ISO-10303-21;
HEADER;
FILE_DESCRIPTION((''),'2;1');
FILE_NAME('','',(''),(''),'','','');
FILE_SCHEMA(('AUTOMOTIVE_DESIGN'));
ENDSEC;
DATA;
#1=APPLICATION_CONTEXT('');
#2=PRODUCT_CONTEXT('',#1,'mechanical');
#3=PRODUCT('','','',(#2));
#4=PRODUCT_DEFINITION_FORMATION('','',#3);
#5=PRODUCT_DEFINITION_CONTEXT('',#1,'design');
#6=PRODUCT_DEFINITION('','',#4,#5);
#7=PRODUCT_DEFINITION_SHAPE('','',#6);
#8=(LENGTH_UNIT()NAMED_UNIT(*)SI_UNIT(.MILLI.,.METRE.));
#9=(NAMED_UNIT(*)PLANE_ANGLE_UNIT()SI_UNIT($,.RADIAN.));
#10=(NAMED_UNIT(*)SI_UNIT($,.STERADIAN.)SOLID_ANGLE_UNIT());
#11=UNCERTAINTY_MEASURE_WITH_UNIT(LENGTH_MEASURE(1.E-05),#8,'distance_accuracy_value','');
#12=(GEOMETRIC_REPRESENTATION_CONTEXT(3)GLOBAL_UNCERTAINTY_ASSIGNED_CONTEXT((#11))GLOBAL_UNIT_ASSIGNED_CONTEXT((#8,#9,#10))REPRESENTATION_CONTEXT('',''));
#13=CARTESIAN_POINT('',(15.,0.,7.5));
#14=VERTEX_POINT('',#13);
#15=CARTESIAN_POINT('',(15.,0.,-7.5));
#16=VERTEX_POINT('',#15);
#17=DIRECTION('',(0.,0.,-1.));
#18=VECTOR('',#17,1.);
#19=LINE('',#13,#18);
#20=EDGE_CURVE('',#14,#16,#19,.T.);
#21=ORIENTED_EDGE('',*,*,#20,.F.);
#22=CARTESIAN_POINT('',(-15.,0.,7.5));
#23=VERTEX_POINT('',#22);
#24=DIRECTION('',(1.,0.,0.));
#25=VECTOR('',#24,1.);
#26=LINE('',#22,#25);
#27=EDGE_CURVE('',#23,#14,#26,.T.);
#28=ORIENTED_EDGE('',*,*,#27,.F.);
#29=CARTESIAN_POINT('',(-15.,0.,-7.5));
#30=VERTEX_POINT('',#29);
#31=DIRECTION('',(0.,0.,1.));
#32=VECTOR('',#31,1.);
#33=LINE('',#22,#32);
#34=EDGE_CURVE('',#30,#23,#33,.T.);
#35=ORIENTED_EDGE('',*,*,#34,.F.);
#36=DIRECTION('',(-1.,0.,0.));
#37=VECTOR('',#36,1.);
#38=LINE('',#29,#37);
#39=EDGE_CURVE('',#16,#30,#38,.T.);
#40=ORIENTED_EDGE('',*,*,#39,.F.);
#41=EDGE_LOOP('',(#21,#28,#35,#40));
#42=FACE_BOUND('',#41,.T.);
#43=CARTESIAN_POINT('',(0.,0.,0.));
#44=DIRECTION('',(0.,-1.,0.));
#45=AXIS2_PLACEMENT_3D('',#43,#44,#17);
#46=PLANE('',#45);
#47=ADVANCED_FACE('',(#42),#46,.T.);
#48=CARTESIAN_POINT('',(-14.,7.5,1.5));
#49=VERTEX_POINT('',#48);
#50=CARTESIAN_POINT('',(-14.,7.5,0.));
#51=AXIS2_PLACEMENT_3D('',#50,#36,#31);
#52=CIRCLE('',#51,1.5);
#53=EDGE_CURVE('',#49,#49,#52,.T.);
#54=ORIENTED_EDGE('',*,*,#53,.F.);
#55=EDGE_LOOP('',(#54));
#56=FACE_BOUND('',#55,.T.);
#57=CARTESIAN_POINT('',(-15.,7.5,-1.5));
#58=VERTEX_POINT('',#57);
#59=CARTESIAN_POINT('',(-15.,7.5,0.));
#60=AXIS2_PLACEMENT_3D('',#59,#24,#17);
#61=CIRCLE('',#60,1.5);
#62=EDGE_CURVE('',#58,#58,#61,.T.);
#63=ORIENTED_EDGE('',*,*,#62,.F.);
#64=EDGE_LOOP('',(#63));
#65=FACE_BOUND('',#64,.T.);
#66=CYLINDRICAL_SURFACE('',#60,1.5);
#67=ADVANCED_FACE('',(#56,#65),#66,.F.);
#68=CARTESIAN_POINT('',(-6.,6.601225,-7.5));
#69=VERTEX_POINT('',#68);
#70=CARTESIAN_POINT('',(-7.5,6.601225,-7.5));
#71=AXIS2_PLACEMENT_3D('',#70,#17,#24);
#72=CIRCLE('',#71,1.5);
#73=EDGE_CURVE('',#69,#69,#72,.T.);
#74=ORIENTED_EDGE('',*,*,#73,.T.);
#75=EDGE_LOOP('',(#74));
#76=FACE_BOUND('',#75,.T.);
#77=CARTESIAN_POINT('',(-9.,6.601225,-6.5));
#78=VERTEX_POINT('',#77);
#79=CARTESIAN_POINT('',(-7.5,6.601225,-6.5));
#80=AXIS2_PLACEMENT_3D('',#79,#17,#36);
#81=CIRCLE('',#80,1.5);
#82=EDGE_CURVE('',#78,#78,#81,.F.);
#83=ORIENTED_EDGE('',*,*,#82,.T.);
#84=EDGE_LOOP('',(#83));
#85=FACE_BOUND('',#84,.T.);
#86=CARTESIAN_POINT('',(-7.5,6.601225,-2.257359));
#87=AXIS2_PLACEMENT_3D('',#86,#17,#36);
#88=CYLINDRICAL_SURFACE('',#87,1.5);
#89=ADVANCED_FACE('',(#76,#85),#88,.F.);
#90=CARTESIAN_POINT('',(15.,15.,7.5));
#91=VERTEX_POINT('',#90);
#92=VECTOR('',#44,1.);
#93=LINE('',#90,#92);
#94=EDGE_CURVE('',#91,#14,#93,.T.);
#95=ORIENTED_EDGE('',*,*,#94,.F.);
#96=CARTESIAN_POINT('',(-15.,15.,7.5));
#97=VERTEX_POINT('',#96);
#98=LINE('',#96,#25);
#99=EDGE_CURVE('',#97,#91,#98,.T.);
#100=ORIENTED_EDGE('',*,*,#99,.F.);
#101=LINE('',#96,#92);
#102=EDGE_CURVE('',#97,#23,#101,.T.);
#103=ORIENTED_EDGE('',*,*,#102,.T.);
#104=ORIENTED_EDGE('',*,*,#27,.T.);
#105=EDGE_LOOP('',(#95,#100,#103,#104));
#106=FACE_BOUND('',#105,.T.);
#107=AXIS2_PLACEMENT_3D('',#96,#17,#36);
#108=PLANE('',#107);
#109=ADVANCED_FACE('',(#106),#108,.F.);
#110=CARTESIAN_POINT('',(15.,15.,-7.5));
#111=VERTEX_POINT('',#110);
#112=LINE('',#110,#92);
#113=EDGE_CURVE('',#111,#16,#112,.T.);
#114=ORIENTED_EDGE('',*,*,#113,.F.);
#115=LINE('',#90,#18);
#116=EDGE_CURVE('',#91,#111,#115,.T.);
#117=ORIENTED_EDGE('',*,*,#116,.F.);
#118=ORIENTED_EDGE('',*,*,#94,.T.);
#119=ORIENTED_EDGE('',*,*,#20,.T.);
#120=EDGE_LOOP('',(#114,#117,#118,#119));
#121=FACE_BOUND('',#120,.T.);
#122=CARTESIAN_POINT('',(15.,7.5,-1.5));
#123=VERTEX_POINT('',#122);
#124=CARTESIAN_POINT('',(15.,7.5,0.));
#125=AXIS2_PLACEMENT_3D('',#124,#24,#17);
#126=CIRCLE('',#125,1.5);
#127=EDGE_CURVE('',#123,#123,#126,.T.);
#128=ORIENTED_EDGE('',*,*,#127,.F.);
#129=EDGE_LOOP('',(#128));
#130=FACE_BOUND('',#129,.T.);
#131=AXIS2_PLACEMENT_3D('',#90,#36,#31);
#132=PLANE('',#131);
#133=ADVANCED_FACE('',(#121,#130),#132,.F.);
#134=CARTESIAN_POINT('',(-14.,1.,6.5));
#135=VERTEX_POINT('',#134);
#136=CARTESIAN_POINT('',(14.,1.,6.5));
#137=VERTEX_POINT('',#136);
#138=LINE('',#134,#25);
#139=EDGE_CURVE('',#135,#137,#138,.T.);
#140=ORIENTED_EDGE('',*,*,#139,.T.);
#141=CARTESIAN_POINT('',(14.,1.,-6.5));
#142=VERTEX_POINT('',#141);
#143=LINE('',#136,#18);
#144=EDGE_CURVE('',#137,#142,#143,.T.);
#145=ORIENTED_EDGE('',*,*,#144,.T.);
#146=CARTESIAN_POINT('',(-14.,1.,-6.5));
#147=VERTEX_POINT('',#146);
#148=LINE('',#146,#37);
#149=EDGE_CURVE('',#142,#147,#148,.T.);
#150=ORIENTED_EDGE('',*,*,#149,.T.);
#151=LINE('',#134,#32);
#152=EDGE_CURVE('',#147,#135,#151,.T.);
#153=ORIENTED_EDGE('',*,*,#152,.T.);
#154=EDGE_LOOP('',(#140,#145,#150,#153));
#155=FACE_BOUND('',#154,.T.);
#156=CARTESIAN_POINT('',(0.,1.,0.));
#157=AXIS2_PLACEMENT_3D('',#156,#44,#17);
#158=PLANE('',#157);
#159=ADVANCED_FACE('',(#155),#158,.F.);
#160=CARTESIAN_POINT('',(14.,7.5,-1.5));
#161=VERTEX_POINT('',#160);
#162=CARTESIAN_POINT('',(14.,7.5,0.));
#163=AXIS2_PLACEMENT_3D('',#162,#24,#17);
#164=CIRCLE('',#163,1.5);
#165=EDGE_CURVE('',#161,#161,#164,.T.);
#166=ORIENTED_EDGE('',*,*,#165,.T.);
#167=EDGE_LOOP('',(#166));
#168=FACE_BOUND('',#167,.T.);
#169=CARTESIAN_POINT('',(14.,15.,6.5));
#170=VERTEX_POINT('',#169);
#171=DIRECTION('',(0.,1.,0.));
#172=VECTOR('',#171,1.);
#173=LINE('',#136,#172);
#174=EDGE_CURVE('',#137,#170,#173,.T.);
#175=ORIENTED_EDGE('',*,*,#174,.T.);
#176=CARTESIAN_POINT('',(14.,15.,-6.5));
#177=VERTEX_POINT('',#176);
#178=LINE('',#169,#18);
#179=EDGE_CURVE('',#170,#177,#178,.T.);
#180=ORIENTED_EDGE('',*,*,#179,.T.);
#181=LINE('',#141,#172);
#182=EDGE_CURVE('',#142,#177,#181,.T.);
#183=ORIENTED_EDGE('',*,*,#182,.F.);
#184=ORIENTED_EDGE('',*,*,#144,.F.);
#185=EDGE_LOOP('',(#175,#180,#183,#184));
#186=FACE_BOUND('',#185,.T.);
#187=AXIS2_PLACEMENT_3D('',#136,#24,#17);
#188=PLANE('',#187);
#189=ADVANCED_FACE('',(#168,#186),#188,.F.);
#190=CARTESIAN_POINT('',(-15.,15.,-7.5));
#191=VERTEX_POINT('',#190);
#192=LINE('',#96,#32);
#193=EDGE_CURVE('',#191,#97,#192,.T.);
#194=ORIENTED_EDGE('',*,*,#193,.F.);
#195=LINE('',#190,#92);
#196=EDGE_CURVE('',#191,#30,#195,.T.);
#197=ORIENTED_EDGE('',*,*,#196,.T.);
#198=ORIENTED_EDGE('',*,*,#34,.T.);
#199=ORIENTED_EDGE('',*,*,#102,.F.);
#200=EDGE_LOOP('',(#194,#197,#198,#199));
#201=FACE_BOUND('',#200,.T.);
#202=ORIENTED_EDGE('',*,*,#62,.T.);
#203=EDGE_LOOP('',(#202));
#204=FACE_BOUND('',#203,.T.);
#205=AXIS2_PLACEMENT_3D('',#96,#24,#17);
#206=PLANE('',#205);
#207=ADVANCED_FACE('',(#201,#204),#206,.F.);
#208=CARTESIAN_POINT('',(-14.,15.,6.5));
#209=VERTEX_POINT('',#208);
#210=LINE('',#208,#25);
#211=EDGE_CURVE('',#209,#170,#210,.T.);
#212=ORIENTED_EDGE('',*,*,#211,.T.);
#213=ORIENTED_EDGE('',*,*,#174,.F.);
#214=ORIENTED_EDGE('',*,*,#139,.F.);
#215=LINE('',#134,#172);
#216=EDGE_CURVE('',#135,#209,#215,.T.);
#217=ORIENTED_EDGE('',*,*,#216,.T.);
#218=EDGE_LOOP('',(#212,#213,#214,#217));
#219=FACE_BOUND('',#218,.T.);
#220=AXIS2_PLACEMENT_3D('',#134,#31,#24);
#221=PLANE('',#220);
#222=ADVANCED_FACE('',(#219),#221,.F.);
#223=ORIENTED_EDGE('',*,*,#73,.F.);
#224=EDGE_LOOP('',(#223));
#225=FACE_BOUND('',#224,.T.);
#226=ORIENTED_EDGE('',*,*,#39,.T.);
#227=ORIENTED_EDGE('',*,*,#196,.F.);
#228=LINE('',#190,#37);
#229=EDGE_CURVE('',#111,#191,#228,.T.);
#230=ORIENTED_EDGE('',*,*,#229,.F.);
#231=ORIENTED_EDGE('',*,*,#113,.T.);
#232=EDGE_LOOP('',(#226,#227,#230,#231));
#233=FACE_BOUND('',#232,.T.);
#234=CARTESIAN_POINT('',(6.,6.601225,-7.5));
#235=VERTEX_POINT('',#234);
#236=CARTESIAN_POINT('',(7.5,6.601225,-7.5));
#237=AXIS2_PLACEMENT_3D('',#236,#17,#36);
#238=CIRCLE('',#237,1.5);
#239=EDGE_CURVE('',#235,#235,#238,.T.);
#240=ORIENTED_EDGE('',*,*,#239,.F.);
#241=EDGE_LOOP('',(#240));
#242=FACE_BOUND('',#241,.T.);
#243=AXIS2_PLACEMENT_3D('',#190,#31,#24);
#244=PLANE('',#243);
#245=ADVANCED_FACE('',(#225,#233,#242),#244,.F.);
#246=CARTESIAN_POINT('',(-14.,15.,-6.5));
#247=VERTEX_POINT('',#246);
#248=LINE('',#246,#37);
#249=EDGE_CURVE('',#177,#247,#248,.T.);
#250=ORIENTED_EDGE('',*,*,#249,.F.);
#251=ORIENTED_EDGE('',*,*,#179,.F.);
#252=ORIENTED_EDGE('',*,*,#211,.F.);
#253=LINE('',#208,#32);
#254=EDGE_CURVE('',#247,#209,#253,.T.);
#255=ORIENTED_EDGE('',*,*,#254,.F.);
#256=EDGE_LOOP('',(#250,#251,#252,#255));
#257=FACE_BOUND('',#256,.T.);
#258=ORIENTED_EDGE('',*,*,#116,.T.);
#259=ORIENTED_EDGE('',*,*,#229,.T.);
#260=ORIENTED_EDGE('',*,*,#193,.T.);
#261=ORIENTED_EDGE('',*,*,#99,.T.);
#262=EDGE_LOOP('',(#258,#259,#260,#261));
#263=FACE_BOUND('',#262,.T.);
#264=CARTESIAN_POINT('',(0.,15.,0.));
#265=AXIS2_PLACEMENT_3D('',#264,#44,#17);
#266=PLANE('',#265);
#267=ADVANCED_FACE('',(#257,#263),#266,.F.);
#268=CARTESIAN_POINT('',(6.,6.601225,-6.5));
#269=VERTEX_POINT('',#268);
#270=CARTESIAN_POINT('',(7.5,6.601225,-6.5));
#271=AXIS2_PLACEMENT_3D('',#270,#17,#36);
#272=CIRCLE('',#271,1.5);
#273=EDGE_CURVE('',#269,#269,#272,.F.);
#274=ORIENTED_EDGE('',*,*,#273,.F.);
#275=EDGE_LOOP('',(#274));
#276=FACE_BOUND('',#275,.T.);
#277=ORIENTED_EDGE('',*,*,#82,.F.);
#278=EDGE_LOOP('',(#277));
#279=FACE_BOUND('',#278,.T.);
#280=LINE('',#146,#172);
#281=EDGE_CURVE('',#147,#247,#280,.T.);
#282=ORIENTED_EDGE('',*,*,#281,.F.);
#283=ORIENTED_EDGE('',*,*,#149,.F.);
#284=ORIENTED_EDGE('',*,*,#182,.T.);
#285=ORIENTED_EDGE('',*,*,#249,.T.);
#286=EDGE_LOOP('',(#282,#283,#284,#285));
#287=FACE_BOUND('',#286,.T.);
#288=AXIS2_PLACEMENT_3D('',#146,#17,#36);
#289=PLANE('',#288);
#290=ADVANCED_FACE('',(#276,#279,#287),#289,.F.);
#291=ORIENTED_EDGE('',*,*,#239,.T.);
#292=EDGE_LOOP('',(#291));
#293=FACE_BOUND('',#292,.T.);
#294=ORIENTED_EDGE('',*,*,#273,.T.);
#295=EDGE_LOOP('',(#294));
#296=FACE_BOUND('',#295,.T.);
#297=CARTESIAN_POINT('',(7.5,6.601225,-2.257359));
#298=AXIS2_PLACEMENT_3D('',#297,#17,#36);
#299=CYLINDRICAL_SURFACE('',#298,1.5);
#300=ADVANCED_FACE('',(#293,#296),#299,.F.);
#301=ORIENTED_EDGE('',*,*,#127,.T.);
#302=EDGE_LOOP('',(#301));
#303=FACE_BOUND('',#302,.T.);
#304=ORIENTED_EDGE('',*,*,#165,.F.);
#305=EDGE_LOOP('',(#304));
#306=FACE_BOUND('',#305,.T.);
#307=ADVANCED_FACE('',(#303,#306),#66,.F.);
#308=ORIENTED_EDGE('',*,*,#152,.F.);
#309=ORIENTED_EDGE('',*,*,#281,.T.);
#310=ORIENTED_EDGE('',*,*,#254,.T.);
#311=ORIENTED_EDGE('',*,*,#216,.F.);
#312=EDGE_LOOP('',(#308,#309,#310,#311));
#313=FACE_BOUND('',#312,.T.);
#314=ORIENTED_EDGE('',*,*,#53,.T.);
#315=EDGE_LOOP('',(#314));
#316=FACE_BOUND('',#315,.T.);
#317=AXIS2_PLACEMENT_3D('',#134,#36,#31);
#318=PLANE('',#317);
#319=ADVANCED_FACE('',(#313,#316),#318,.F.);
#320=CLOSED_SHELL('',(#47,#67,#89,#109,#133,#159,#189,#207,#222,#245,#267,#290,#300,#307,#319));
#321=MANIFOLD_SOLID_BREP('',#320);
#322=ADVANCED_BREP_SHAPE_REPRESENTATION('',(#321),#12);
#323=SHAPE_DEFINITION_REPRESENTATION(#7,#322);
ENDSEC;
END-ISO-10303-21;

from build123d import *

# Parameters (mm, degrees)
SKETCH1_W           = 30
SKETCH1_H           = 15
BOSS_EXTRUDE1_DEPTH = 15
SKETCH2_W           = 28
SKETCH2_H           = 13
CUT_EXTRUDE1_DEPTH  = 14
SKETCH3_R           = 1.5
CUT_EXTRUDE2_DEPTH  = 31
SKETCH4_R           = 1.5
CUT_EXTRUDE3_DEPTH  = 1


with BuildPart() as part:
    # Sketch1 → Boss-Extrude1 (new body)
    with BuildSketch(Plane(origin=(0, 0, 0), x_dir=(1, 0, 0), z_dir=(0, 1, 0))):
        Rectangle(SKETCH1_W, SKETCH1_H)
    extrude(amount=BOSS_EXTRUDE1_DEPTH)

    # Sketch2 → Cut-Extrude1 (cut)
    with BuildSketch(Plane(origin=(0, 15, 0), x_dir=(1, 0, 0), z_dir=(0, 1, 0))):
        Rectangle(SKETCH2_W, SKETCH2_H)
    extrude(amount=-CUT_EXTRUDE1_DEPTH, mode=Mode.SUBTRACT)

    # Sketch3 → Cut-Extrude2 (cut, through all)
    with BuildSketch(Plane(origin=(15, 0, 0), x_dir=(0, 0, -1), z_dir=(1, 0, 0))):
        with Locations((0, 7.5)):
            Circle(SKETCH3_R)
    extrude(amount=-CUT_EXTRUDE2_DEPTH, mode=Mode.SUBTRACT)

    # Sketch4 → Cut-Extrude3 (cut)
    with BuildSketch(Plane(origin=(0, 0, -7.5), x_dir=(-1, 0, 0), z_dir=(0, 0, -1))):
        with Locations((-7.5, 6.601224847)):
            Circle(SKETCH4_R)
        with Locations((7.5, 6.601224847)):
            Circle(SKETCH4_R)
    extrude(amount=-CUT_EXTRUDE3_DEPTH, mode=Mode.SUBTRACT)


solid = part.part
